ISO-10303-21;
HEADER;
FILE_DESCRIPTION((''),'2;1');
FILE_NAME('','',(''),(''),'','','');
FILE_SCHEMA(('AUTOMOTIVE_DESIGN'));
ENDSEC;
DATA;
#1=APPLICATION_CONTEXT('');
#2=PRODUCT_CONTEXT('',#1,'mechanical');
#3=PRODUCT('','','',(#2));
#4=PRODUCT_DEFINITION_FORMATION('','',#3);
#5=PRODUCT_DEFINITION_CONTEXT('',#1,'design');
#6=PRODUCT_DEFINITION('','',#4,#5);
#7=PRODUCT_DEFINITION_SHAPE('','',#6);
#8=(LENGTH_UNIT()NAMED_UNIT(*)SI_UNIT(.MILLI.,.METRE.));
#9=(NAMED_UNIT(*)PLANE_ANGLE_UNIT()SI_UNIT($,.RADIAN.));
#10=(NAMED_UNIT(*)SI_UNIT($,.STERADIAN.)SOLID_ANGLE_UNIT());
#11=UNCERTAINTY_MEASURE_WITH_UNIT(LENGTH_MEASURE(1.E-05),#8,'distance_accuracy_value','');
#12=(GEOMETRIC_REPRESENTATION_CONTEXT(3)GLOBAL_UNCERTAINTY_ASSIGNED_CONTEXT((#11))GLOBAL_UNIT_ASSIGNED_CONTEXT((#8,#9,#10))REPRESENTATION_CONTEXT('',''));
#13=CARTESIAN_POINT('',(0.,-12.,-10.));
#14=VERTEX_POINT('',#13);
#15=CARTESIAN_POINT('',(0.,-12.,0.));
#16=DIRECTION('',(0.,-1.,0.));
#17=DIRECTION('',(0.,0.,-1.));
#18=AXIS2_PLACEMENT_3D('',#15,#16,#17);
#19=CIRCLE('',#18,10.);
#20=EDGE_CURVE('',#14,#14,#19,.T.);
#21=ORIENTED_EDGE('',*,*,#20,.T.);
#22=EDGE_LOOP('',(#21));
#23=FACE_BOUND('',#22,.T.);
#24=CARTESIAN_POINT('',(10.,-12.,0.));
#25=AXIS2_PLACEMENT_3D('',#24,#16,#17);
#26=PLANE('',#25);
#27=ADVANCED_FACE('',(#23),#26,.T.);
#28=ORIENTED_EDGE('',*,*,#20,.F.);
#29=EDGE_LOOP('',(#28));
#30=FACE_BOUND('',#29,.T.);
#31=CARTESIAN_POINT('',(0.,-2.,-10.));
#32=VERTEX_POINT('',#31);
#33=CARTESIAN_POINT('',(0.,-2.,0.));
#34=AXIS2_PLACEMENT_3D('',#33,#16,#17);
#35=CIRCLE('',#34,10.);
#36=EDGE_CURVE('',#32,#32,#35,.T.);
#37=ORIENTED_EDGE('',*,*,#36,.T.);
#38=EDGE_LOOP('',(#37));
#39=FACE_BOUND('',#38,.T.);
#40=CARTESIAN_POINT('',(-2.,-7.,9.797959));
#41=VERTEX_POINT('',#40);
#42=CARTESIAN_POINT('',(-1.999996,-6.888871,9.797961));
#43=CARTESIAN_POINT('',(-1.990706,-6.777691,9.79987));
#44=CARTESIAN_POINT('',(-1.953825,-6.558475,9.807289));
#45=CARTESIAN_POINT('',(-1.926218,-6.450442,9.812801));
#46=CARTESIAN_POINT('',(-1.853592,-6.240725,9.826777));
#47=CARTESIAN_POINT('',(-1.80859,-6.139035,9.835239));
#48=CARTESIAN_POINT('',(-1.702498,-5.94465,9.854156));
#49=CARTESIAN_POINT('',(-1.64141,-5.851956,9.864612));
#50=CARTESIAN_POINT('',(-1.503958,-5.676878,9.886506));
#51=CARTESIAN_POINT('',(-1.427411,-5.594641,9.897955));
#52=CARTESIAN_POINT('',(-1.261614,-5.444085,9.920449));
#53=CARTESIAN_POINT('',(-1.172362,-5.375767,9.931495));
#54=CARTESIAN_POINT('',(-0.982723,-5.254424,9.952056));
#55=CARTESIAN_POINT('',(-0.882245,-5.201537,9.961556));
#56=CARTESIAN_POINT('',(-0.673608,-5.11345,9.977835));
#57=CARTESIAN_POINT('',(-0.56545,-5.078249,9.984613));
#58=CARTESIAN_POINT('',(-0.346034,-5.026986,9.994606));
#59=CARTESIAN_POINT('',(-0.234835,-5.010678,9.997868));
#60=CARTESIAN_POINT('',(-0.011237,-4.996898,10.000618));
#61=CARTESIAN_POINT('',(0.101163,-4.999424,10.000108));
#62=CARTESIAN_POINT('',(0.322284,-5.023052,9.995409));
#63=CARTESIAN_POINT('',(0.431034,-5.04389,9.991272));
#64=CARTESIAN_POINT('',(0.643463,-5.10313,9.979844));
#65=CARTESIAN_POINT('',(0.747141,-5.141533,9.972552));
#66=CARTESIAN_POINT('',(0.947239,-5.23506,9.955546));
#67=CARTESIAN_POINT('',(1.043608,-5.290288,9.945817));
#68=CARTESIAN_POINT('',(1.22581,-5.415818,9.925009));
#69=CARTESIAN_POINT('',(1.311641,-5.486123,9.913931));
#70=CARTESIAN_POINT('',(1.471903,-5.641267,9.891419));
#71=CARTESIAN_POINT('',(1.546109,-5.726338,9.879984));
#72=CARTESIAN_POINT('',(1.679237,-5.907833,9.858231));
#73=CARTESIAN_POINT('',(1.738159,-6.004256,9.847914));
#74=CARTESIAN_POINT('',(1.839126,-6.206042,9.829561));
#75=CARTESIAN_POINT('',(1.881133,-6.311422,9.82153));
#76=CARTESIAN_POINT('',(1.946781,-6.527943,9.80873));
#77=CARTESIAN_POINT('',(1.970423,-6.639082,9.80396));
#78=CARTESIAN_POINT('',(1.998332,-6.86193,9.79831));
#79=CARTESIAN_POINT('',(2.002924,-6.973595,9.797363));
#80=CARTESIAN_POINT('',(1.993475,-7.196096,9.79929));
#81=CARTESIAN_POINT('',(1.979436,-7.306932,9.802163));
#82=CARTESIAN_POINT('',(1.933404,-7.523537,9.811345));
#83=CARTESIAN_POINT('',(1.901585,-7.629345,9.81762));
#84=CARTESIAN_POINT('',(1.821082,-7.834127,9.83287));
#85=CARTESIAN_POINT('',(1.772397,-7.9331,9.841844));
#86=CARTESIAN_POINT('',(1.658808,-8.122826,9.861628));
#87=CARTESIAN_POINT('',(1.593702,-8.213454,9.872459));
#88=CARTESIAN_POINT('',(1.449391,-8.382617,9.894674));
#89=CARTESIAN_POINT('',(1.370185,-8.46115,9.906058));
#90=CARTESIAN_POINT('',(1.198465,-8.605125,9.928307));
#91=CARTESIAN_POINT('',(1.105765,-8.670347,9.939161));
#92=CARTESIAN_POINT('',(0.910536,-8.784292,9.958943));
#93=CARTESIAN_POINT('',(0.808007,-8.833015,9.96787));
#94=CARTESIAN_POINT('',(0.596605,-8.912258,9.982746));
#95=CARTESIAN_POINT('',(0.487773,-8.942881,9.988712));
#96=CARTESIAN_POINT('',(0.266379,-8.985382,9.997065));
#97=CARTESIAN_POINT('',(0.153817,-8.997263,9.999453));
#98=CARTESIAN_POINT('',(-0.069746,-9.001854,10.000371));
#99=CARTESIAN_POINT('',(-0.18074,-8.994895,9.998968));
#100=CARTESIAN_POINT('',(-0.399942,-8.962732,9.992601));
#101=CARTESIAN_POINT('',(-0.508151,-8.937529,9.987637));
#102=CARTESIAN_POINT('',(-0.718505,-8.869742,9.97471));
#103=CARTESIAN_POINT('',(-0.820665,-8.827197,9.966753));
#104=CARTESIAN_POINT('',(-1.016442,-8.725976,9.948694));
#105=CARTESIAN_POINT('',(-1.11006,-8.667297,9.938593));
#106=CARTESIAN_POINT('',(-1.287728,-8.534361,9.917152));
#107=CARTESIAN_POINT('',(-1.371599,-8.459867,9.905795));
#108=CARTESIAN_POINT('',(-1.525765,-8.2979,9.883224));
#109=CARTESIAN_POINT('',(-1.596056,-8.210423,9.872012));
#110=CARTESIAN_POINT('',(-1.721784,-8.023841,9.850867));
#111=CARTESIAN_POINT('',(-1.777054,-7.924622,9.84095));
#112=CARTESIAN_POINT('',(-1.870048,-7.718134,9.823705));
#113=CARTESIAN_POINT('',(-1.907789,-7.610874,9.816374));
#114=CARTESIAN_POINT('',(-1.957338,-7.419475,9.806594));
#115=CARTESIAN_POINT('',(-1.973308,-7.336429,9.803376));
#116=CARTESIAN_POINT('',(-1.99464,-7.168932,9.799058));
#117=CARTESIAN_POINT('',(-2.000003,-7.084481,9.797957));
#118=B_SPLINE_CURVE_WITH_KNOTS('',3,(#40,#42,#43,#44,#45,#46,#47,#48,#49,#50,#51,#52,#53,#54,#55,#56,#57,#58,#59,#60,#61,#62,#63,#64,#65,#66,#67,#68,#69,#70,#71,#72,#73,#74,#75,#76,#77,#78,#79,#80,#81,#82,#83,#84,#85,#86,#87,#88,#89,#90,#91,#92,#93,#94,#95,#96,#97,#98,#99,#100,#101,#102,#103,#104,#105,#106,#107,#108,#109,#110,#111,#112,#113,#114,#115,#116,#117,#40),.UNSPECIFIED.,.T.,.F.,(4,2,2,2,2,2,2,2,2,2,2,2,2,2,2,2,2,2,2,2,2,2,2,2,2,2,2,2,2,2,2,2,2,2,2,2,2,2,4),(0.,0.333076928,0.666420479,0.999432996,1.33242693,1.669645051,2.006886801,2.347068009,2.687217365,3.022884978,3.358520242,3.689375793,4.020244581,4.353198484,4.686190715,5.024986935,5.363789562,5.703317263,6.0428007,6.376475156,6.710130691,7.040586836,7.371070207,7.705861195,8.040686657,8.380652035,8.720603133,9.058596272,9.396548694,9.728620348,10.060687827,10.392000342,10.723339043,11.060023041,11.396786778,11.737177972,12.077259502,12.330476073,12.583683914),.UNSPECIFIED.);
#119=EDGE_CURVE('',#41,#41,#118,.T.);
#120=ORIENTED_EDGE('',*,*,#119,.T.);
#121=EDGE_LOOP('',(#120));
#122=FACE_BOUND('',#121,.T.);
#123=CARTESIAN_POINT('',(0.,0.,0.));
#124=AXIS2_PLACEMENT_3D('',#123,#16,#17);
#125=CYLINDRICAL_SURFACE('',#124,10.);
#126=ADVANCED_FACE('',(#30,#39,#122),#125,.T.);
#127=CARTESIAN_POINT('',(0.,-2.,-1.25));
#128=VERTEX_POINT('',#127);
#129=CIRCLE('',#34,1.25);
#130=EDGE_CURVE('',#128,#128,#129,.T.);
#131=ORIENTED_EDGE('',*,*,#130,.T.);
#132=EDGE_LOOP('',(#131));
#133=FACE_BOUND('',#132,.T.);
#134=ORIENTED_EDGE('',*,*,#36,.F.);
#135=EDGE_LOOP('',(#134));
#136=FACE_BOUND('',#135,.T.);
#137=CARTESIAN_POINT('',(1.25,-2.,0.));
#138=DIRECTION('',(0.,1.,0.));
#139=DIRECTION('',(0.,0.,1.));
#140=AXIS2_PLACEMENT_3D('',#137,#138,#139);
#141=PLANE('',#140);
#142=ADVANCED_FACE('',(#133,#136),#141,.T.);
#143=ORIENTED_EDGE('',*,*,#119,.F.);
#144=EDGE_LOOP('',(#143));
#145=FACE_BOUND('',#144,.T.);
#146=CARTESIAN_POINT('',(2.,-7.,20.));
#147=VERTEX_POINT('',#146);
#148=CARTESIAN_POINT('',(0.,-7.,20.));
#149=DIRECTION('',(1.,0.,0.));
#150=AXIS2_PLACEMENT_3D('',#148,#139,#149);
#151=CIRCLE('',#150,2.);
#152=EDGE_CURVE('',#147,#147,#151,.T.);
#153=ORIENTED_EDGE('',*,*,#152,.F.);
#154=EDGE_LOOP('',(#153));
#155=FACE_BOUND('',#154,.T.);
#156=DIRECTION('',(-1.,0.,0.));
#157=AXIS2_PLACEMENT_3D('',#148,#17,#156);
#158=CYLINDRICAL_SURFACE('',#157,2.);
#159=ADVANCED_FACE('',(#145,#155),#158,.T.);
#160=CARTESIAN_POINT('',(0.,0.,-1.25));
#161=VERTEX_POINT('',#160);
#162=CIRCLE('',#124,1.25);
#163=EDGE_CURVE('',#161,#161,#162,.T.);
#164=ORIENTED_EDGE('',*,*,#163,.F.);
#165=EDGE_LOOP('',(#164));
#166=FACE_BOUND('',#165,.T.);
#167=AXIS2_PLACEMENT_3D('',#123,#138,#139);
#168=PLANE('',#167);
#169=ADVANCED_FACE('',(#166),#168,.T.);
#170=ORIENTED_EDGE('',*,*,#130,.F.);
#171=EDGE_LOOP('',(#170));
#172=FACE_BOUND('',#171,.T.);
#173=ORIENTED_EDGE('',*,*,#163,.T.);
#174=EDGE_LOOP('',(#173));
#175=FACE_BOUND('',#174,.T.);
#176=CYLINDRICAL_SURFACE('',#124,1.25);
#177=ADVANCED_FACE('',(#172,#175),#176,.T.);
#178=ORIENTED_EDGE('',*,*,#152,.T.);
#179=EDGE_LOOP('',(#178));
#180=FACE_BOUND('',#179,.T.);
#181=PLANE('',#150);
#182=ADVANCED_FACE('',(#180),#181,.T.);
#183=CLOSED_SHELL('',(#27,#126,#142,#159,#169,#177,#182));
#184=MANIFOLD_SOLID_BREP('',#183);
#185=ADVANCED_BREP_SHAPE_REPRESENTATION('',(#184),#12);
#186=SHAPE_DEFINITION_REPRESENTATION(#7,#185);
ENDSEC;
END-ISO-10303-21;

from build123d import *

# Parameters (mm, degrees)
SKETCH2_R           = 2
BOSS_EXTRUDE1_DEPTH = 20


with BuildPart() as part:
    # Sketch1 → Revolve1 (revolve)
    with BuildSketch(Plane.XY):
        Polygon((0, 0), (0, -12), (10, -12), (10, -2), (1.25, -2), (1.25, 0), align=None)
    revolve(axis=Axis((0, 0, 0), (0, 1, 0)))

    # Sketch2 → Boss-Extrude1 (add)
    with BuildSketch(Plane.XY):
        with Locations((0, -7)):
            Circle(SKETCH2_R)
    extrude(amount=BOSS_EXTRUDE1_DEPTH)


solid = part.part
